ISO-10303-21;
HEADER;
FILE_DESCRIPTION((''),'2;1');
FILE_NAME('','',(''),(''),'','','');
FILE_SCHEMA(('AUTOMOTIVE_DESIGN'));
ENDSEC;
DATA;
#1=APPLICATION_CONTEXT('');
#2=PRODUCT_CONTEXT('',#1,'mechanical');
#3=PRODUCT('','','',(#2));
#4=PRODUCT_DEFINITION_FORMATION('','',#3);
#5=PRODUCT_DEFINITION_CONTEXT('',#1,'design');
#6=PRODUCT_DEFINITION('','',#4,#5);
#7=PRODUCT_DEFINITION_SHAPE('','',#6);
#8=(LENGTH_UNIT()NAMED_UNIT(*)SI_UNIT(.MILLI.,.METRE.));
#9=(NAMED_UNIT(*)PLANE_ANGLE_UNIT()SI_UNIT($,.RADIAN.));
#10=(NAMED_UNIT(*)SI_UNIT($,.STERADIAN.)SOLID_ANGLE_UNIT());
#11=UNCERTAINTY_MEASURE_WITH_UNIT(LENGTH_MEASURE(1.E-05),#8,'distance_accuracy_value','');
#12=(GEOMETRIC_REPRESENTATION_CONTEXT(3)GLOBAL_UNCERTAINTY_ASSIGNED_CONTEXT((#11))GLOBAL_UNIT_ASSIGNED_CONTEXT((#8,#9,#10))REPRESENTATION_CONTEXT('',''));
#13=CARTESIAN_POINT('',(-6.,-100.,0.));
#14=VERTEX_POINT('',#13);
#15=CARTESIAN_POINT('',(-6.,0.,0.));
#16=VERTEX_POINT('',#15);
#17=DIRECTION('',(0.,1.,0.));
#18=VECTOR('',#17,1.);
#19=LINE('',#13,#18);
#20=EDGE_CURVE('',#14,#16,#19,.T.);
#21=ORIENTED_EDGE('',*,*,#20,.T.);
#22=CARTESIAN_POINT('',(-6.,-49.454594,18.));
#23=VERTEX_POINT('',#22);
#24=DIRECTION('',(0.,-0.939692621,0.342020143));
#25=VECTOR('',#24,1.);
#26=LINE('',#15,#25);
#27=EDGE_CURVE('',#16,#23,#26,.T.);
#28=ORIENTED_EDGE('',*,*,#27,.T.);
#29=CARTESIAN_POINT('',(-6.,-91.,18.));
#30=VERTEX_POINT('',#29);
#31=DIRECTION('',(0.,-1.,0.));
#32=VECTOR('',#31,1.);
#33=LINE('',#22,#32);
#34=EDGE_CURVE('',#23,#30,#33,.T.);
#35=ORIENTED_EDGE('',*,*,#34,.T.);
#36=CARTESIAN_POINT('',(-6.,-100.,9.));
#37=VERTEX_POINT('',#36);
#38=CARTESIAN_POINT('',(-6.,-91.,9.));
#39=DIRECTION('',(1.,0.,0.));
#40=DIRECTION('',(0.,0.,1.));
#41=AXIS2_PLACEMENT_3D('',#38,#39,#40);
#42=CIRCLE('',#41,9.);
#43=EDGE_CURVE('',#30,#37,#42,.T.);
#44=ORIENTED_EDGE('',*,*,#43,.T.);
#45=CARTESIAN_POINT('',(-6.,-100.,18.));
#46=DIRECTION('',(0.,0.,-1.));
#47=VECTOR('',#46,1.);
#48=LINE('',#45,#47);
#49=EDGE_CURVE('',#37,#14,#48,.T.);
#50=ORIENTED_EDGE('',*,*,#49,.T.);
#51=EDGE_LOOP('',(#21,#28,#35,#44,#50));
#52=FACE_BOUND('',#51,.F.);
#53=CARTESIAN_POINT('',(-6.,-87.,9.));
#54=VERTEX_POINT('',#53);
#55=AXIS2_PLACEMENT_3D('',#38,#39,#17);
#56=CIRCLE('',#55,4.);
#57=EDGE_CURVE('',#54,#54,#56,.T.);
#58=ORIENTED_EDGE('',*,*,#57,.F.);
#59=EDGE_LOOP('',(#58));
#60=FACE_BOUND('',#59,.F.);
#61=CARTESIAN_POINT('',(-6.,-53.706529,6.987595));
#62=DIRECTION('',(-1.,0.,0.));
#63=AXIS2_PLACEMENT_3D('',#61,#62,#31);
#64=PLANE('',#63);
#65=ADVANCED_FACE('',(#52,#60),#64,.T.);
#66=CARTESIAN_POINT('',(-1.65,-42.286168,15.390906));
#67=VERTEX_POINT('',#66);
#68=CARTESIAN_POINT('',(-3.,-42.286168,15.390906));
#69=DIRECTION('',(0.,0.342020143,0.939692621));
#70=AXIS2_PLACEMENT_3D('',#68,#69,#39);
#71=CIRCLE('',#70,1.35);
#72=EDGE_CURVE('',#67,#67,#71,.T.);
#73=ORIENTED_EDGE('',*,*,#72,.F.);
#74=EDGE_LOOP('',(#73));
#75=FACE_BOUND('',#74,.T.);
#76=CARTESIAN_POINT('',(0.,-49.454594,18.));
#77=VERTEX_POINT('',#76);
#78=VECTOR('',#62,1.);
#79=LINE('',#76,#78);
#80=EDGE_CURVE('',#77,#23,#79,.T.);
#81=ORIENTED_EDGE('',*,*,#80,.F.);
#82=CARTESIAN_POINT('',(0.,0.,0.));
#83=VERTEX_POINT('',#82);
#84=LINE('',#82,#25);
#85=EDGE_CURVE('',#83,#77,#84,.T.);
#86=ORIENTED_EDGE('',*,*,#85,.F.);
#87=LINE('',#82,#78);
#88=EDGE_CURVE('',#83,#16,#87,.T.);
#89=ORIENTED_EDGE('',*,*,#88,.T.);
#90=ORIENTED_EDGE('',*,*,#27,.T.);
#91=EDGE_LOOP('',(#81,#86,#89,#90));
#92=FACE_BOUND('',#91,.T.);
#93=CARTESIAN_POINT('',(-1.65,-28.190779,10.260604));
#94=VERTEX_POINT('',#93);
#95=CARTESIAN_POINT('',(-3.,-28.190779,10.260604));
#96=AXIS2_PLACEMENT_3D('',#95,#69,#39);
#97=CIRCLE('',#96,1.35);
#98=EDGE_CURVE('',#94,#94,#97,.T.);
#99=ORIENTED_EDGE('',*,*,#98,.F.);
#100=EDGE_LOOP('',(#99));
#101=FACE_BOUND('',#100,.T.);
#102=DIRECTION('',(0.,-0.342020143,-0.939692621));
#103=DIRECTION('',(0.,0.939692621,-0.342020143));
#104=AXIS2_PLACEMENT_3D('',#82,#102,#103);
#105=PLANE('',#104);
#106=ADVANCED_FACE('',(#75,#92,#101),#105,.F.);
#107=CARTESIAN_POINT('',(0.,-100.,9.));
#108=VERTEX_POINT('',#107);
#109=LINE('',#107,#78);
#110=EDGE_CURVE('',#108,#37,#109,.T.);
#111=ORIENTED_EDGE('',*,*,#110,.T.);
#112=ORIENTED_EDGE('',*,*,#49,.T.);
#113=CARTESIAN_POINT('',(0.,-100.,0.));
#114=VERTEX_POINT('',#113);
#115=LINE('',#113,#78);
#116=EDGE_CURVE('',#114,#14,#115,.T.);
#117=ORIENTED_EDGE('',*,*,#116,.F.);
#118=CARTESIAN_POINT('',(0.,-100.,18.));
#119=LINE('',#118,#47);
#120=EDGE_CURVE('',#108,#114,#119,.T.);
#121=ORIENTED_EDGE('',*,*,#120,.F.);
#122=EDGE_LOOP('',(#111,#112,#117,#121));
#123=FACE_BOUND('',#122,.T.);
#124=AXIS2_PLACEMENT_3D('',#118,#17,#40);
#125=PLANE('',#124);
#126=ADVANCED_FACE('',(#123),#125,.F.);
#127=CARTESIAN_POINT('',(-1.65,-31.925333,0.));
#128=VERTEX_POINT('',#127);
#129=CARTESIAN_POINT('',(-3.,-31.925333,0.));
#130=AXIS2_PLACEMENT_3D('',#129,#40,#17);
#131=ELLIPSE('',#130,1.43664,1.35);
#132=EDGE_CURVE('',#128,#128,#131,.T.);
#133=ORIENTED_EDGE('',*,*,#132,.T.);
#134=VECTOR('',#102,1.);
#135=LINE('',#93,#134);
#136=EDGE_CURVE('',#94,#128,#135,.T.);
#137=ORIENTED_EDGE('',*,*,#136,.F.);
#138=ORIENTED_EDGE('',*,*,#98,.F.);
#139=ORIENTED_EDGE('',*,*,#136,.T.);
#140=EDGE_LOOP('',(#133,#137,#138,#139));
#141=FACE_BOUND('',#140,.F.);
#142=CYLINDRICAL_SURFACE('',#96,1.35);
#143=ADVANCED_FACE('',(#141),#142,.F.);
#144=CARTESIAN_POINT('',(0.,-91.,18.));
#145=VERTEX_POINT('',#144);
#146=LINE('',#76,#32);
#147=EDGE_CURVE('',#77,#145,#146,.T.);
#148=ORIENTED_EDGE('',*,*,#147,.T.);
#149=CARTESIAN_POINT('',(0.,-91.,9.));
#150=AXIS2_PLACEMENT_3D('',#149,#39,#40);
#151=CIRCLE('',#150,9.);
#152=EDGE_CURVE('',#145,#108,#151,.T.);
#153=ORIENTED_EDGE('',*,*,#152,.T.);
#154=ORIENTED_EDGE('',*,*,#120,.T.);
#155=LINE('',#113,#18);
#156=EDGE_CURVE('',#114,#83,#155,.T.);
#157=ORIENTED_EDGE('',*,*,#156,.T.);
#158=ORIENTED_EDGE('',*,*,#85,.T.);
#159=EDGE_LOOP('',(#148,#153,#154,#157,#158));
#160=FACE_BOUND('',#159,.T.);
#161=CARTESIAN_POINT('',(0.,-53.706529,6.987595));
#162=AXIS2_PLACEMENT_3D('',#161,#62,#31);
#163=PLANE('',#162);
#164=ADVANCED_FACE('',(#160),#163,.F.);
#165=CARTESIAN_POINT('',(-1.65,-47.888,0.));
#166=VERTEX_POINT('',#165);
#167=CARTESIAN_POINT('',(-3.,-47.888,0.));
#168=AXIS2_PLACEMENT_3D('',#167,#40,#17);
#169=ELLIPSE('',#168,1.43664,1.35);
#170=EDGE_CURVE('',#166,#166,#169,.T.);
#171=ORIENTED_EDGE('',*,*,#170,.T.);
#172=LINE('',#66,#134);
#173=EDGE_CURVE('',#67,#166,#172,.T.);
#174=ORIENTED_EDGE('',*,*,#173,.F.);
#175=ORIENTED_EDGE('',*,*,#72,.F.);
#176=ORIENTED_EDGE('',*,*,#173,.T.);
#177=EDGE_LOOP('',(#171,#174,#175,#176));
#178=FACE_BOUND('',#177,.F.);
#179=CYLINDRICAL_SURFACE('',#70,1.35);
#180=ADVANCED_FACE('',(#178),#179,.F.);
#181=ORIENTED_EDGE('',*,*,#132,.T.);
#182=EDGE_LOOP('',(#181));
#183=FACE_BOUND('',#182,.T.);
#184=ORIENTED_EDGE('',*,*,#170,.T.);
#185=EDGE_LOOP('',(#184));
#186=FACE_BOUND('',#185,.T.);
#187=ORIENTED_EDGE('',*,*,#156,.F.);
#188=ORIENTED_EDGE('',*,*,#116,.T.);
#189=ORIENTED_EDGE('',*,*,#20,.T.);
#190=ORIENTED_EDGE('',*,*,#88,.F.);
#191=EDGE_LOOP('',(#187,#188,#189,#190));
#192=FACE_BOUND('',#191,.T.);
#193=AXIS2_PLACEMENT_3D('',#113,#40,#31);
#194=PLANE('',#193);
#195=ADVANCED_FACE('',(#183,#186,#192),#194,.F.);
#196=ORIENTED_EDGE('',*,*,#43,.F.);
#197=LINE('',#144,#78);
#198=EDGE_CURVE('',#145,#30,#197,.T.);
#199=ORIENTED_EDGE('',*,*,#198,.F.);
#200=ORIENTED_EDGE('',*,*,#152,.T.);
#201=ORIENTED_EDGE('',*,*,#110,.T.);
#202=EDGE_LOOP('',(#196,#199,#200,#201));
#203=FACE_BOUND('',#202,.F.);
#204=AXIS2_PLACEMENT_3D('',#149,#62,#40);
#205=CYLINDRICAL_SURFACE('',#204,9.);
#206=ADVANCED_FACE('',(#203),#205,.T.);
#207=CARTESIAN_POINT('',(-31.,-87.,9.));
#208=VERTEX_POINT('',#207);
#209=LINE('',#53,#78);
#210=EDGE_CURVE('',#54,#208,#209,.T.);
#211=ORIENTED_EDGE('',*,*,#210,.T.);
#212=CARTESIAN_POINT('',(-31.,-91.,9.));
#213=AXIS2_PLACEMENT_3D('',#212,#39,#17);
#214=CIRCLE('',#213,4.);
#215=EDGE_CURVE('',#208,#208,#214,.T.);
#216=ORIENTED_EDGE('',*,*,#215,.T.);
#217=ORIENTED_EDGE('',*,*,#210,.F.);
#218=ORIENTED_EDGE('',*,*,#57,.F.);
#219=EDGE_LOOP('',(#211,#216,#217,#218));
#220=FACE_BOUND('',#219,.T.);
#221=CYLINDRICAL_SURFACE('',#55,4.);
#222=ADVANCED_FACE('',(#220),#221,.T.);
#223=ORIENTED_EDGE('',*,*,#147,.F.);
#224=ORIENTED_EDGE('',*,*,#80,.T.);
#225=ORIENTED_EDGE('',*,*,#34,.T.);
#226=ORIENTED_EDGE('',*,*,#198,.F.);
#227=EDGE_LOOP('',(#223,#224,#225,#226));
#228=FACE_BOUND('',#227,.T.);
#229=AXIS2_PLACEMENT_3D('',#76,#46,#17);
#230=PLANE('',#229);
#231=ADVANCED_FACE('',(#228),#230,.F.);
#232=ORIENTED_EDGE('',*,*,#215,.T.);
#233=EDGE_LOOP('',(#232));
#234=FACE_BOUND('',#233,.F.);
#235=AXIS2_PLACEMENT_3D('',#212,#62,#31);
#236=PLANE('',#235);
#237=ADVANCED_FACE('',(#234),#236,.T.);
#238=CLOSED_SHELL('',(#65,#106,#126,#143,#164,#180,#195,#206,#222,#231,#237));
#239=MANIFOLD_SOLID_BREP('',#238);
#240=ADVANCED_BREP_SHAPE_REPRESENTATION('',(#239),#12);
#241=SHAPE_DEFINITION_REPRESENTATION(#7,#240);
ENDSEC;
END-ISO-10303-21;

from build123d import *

# Parameters (mm, degrees)
F1_DEPTH = 6
F2_R     = 9
F3_R     = 4
F4_DEPTH = 25
F7_R     = 1.35
F8_DEPTH = 25


with BuildPart() as f1:
    # F0 (on Right) → F1 (new body)
    with BuildSketch(Plane.YZ):
        Polygon((-100, 0), (0, 0), (-49.4545935502, 18), (-100, 18), align=None)
    extrude(amount=F1_DEPTH)

    # F2
    f2_edges = [f1.edges().sort_by_distance(p)[0] for p in [
        (3, -100, 18),
    ]]
    fillet(f2_edges, radius=F2_R)

    # F3 (on face) → F4 (join)
    with BuildSketch(Plane.YZ.offset(6)):
        with Locations((-91, 9)):
            Circle(F3_R)
    extrude(amount=F4_DEPTH)


with BuildPart() as f5_1:
    # F5: instance of F1
    add(f1.part.mirror(Plane.YZ))

    # F7 (on face) → F8 (cut)
    with BuildSketch(Plane(origin=(0, 0, 0), x_dir=(1, 0, 0), z_dir=(0, 0.3420201433, 0.9396926208))):
        with Locations((-3, -45)):
            Circle(F7_R)
        with Locations((-3, -30)):
            Circle(F7_R)
    extrude(amount=-F8_DEPTH, mode=Mode.SUBTRACT)


solid = f5_1.part
